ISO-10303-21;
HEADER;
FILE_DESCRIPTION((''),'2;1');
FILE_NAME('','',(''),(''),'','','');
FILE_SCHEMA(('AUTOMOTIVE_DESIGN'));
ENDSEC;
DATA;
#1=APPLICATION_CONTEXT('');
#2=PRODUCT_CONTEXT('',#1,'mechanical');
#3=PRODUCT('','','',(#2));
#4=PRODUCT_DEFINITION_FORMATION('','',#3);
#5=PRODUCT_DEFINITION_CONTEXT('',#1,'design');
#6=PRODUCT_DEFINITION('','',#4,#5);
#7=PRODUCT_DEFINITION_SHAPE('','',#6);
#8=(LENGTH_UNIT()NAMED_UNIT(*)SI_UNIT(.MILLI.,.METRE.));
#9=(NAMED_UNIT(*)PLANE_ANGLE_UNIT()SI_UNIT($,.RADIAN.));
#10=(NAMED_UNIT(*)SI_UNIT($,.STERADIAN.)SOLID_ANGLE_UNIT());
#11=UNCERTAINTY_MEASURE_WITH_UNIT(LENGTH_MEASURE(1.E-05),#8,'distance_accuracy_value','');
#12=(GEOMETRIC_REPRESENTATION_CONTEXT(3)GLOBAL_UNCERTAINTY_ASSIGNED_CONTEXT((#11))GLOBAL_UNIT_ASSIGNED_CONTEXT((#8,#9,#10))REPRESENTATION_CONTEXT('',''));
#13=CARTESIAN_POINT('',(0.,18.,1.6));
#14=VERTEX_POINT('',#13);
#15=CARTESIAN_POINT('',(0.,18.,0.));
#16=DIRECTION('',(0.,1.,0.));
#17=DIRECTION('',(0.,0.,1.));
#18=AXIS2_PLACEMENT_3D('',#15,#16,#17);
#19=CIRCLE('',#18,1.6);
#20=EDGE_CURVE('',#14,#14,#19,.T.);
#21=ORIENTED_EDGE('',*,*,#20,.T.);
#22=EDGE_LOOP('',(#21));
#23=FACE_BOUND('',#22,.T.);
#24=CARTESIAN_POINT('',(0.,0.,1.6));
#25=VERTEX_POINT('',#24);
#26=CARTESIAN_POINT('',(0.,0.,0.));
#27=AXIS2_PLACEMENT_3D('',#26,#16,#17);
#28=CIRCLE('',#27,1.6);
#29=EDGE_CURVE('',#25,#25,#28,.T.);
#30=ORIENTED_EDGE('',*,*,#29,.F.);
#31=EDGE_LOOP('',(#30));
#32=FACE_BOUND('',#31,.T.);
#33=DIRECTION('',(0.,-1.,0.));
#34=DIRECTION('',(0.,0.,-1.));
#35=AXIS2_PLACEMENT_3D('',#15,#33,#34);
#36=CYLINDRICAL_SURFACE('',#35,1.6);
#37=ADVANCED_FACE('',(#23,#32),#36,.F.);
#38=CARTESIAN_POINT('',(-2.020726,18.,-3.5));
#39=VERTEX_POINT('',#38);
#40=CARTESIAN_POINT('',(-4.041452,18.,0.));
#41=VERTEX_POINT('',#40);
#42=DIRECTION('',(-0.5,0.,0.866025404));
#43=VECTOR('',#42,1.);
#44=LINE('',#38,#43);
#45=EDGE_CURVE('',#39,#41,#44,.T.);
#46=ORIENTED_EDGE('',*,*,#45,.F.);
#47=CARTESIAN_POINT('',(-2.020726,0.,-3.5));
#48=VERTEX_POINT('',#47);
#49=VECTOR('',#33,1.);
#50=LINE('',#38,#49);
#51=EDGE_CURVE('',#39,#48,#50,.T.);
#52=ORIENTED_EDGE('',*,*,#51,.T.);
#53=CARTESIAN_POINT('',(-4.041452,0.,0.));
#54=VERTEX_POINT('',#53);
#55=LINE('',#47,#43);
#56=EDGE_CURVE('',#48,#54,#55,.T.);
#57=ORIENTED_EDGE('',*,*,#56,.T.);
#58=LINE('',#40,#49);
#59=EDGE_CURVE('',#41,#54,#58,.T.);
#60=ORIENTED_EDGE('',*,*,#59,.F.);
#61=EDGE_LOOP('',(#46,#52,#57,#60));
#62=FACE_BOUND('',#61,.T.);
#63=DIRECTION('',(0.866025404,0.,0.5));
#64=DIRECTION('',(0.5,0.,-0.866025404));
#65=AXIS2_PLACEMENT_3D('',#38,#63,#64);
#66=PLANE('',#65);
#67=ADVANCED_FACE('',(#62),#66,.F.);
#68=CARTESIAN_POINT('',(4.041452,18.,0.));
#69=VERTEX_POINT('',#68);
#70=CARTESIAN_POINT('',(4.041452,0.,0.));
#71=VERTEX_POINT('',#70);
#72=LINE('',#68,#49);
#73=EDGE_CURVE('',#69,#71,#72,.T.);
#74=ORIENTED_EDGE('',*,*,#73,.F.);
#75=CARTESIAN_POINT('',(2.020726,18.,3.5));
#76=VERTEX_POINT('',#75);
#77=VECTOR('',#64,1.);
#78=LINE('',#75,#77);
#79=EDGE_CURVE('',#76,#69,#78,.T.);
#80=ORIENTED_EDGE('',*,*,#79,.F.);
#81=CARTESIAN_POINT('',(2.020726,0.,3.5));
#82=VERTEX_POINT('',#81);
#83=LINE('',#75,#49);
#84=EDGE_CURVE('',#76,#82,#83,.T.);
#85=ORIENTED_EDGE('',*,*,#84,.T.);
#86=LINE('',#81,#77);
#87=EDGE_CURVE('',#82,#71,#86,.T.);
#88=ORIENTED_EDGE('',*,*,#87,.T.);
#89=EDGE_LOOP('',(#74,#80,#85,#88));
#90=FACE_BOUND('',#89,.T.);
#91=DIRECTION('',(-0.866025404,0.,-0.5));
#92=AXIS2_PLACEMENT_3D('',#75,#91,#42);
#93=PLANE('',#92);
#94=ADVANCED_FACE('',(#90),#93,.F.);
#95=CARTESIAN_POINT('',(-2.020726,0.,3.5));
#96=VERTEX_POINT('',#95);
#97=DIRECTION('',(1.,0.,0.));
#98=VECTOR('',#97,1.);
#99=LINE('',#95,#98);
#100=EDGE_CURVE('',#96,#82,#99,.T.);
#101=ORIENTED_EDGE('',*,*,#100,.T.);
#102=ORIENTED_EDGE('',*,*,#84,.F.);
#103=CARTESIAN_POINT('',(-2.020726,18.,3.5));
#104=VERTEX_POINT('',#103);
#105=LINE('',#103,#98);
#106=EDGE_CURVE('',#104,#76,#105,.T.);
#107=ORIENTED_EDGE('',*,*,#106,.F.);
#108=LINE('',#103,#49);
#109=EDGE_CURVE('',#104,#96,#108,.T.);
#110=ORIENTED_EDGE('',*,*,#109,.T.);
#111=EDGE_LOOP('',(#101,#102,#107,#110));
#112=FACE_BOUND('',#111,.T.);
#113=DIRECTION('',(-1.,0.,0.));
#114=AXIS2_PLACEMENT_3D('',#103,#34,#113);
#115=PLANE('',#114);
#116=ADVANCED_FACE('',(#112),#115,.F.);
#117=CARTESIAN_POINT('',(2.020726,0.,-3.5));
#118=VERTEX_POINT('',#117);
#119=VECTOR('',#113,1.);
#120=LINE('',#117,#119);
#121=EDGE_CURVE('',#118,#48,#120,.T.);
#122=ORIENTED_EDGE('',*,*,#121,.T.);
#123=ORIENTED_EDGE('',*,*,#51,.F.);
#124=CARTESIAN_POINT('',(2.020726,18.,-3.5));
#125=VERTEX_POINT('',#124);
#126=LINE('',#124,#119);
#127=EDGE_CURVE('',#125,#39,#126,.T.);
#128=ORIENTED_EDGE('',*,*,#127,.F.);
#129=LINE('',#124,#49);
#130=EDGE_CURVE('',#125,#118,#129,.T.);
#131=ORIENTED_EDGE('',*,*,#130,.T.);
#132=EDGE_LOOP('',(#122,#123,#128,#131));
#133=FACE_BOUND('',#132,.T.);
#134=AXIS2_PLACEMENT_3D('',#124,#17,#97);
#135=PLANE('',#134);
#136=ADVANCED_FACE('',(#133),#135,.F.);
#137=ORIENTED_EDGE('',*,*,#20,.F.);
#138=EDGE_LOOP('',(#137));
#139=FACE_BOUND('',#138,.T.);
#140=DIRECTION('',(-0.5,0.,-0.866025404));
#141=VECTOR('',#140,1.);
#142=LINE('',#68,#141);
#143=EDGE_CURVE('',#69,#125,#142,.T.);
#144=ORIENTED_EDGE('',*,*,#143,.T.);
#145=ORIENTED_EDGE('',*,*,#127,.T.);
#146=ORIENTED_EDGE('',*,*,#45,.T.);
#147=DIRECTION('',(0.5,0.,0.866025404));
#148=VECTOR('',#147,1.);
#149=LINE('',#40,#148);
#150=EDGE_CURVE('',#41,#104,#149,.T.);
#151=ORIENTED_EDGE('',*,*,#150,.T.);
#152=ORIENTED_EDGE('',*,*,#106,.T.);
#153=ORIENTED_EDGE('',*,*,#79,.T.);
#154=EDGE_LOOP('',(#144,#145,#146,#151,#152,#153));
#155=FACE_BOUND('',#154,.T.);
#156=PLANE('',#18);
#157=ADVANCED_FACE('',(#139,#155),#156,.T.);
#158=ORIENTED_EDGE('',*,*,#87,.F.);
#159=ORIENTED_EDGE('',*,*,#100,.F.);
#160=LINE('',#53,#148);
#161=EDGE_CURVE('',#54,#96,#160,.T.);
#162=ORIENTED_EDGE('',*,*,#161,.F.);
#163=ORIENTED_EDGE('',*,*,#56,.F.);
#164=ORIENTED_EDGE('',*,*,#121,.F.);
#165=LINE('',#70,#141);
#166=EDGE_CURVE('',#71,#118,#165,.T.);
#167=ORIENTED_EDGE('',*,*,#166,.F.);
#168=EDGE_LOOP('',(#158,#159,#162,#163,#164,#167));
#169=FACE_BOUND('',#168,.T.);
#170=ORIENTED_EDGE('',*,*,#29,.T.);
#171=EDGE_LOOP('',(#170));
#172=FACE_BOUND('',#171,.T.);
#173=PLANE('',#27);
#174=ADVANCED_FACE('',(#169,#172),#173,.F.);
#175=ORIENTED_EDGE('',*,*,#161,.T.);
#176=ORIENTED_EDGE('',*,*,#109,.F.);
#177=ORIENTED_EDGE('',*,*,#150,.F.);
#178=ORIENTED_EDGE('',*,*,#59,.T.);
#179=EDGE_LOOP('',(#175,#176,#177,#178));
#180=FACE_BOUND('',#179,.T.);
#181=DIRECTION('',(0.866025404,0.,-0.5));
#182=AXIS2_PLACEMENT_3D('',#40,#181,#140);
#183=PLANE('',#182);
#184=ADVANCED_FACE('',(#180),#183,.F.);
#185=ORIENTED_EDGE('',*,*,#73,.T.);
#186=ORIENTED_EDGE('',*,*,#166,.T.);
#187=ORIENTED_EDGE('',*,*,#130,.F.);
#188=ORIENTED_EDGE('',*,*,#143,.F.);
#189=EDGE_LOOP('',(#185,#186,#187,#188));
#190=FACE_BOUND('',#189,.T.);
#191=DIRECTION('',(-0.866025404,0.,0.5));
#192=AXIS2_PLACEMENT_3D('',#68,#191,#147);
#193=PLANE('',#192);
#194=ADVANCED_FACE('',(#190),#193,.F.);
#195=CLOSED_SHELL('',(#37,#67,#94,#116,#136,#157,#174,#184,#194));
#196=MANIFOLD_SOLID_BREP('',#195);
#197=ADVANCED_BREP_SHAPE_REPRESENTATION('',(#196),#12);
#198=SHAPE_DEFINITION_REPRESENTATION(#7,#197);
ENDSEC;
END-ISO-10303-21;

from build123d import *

# Parameters (mm, degrees)
SKETCH_1_R      = 1.6
EXTRUDE_2_DEPTH = 18


with BuildPart() as part:
    # 草图1 → 凸台-拉伸2 (new body)
    with BuildSketch(Plane(origin=(0, 0, 0), x_dir=(1, 0, 0), z_dir=(0, 1, 0))):
        Polygon((4.041451884, 0), (2.020725942, 3.5), (-2.020725942, 3.5), (-4.041451884, 0), (-2.020725942, -3.5), (2.020725942, -3.5), align=None)
        with Locations(Location((0, 0, 0), (0, 0, 270))):
            Circle(SKETCH_1_R, mode=Mode.SUBTRACT)
    extrude(amount=EXTRUDE_2_DEPTH)


solid = part.part
